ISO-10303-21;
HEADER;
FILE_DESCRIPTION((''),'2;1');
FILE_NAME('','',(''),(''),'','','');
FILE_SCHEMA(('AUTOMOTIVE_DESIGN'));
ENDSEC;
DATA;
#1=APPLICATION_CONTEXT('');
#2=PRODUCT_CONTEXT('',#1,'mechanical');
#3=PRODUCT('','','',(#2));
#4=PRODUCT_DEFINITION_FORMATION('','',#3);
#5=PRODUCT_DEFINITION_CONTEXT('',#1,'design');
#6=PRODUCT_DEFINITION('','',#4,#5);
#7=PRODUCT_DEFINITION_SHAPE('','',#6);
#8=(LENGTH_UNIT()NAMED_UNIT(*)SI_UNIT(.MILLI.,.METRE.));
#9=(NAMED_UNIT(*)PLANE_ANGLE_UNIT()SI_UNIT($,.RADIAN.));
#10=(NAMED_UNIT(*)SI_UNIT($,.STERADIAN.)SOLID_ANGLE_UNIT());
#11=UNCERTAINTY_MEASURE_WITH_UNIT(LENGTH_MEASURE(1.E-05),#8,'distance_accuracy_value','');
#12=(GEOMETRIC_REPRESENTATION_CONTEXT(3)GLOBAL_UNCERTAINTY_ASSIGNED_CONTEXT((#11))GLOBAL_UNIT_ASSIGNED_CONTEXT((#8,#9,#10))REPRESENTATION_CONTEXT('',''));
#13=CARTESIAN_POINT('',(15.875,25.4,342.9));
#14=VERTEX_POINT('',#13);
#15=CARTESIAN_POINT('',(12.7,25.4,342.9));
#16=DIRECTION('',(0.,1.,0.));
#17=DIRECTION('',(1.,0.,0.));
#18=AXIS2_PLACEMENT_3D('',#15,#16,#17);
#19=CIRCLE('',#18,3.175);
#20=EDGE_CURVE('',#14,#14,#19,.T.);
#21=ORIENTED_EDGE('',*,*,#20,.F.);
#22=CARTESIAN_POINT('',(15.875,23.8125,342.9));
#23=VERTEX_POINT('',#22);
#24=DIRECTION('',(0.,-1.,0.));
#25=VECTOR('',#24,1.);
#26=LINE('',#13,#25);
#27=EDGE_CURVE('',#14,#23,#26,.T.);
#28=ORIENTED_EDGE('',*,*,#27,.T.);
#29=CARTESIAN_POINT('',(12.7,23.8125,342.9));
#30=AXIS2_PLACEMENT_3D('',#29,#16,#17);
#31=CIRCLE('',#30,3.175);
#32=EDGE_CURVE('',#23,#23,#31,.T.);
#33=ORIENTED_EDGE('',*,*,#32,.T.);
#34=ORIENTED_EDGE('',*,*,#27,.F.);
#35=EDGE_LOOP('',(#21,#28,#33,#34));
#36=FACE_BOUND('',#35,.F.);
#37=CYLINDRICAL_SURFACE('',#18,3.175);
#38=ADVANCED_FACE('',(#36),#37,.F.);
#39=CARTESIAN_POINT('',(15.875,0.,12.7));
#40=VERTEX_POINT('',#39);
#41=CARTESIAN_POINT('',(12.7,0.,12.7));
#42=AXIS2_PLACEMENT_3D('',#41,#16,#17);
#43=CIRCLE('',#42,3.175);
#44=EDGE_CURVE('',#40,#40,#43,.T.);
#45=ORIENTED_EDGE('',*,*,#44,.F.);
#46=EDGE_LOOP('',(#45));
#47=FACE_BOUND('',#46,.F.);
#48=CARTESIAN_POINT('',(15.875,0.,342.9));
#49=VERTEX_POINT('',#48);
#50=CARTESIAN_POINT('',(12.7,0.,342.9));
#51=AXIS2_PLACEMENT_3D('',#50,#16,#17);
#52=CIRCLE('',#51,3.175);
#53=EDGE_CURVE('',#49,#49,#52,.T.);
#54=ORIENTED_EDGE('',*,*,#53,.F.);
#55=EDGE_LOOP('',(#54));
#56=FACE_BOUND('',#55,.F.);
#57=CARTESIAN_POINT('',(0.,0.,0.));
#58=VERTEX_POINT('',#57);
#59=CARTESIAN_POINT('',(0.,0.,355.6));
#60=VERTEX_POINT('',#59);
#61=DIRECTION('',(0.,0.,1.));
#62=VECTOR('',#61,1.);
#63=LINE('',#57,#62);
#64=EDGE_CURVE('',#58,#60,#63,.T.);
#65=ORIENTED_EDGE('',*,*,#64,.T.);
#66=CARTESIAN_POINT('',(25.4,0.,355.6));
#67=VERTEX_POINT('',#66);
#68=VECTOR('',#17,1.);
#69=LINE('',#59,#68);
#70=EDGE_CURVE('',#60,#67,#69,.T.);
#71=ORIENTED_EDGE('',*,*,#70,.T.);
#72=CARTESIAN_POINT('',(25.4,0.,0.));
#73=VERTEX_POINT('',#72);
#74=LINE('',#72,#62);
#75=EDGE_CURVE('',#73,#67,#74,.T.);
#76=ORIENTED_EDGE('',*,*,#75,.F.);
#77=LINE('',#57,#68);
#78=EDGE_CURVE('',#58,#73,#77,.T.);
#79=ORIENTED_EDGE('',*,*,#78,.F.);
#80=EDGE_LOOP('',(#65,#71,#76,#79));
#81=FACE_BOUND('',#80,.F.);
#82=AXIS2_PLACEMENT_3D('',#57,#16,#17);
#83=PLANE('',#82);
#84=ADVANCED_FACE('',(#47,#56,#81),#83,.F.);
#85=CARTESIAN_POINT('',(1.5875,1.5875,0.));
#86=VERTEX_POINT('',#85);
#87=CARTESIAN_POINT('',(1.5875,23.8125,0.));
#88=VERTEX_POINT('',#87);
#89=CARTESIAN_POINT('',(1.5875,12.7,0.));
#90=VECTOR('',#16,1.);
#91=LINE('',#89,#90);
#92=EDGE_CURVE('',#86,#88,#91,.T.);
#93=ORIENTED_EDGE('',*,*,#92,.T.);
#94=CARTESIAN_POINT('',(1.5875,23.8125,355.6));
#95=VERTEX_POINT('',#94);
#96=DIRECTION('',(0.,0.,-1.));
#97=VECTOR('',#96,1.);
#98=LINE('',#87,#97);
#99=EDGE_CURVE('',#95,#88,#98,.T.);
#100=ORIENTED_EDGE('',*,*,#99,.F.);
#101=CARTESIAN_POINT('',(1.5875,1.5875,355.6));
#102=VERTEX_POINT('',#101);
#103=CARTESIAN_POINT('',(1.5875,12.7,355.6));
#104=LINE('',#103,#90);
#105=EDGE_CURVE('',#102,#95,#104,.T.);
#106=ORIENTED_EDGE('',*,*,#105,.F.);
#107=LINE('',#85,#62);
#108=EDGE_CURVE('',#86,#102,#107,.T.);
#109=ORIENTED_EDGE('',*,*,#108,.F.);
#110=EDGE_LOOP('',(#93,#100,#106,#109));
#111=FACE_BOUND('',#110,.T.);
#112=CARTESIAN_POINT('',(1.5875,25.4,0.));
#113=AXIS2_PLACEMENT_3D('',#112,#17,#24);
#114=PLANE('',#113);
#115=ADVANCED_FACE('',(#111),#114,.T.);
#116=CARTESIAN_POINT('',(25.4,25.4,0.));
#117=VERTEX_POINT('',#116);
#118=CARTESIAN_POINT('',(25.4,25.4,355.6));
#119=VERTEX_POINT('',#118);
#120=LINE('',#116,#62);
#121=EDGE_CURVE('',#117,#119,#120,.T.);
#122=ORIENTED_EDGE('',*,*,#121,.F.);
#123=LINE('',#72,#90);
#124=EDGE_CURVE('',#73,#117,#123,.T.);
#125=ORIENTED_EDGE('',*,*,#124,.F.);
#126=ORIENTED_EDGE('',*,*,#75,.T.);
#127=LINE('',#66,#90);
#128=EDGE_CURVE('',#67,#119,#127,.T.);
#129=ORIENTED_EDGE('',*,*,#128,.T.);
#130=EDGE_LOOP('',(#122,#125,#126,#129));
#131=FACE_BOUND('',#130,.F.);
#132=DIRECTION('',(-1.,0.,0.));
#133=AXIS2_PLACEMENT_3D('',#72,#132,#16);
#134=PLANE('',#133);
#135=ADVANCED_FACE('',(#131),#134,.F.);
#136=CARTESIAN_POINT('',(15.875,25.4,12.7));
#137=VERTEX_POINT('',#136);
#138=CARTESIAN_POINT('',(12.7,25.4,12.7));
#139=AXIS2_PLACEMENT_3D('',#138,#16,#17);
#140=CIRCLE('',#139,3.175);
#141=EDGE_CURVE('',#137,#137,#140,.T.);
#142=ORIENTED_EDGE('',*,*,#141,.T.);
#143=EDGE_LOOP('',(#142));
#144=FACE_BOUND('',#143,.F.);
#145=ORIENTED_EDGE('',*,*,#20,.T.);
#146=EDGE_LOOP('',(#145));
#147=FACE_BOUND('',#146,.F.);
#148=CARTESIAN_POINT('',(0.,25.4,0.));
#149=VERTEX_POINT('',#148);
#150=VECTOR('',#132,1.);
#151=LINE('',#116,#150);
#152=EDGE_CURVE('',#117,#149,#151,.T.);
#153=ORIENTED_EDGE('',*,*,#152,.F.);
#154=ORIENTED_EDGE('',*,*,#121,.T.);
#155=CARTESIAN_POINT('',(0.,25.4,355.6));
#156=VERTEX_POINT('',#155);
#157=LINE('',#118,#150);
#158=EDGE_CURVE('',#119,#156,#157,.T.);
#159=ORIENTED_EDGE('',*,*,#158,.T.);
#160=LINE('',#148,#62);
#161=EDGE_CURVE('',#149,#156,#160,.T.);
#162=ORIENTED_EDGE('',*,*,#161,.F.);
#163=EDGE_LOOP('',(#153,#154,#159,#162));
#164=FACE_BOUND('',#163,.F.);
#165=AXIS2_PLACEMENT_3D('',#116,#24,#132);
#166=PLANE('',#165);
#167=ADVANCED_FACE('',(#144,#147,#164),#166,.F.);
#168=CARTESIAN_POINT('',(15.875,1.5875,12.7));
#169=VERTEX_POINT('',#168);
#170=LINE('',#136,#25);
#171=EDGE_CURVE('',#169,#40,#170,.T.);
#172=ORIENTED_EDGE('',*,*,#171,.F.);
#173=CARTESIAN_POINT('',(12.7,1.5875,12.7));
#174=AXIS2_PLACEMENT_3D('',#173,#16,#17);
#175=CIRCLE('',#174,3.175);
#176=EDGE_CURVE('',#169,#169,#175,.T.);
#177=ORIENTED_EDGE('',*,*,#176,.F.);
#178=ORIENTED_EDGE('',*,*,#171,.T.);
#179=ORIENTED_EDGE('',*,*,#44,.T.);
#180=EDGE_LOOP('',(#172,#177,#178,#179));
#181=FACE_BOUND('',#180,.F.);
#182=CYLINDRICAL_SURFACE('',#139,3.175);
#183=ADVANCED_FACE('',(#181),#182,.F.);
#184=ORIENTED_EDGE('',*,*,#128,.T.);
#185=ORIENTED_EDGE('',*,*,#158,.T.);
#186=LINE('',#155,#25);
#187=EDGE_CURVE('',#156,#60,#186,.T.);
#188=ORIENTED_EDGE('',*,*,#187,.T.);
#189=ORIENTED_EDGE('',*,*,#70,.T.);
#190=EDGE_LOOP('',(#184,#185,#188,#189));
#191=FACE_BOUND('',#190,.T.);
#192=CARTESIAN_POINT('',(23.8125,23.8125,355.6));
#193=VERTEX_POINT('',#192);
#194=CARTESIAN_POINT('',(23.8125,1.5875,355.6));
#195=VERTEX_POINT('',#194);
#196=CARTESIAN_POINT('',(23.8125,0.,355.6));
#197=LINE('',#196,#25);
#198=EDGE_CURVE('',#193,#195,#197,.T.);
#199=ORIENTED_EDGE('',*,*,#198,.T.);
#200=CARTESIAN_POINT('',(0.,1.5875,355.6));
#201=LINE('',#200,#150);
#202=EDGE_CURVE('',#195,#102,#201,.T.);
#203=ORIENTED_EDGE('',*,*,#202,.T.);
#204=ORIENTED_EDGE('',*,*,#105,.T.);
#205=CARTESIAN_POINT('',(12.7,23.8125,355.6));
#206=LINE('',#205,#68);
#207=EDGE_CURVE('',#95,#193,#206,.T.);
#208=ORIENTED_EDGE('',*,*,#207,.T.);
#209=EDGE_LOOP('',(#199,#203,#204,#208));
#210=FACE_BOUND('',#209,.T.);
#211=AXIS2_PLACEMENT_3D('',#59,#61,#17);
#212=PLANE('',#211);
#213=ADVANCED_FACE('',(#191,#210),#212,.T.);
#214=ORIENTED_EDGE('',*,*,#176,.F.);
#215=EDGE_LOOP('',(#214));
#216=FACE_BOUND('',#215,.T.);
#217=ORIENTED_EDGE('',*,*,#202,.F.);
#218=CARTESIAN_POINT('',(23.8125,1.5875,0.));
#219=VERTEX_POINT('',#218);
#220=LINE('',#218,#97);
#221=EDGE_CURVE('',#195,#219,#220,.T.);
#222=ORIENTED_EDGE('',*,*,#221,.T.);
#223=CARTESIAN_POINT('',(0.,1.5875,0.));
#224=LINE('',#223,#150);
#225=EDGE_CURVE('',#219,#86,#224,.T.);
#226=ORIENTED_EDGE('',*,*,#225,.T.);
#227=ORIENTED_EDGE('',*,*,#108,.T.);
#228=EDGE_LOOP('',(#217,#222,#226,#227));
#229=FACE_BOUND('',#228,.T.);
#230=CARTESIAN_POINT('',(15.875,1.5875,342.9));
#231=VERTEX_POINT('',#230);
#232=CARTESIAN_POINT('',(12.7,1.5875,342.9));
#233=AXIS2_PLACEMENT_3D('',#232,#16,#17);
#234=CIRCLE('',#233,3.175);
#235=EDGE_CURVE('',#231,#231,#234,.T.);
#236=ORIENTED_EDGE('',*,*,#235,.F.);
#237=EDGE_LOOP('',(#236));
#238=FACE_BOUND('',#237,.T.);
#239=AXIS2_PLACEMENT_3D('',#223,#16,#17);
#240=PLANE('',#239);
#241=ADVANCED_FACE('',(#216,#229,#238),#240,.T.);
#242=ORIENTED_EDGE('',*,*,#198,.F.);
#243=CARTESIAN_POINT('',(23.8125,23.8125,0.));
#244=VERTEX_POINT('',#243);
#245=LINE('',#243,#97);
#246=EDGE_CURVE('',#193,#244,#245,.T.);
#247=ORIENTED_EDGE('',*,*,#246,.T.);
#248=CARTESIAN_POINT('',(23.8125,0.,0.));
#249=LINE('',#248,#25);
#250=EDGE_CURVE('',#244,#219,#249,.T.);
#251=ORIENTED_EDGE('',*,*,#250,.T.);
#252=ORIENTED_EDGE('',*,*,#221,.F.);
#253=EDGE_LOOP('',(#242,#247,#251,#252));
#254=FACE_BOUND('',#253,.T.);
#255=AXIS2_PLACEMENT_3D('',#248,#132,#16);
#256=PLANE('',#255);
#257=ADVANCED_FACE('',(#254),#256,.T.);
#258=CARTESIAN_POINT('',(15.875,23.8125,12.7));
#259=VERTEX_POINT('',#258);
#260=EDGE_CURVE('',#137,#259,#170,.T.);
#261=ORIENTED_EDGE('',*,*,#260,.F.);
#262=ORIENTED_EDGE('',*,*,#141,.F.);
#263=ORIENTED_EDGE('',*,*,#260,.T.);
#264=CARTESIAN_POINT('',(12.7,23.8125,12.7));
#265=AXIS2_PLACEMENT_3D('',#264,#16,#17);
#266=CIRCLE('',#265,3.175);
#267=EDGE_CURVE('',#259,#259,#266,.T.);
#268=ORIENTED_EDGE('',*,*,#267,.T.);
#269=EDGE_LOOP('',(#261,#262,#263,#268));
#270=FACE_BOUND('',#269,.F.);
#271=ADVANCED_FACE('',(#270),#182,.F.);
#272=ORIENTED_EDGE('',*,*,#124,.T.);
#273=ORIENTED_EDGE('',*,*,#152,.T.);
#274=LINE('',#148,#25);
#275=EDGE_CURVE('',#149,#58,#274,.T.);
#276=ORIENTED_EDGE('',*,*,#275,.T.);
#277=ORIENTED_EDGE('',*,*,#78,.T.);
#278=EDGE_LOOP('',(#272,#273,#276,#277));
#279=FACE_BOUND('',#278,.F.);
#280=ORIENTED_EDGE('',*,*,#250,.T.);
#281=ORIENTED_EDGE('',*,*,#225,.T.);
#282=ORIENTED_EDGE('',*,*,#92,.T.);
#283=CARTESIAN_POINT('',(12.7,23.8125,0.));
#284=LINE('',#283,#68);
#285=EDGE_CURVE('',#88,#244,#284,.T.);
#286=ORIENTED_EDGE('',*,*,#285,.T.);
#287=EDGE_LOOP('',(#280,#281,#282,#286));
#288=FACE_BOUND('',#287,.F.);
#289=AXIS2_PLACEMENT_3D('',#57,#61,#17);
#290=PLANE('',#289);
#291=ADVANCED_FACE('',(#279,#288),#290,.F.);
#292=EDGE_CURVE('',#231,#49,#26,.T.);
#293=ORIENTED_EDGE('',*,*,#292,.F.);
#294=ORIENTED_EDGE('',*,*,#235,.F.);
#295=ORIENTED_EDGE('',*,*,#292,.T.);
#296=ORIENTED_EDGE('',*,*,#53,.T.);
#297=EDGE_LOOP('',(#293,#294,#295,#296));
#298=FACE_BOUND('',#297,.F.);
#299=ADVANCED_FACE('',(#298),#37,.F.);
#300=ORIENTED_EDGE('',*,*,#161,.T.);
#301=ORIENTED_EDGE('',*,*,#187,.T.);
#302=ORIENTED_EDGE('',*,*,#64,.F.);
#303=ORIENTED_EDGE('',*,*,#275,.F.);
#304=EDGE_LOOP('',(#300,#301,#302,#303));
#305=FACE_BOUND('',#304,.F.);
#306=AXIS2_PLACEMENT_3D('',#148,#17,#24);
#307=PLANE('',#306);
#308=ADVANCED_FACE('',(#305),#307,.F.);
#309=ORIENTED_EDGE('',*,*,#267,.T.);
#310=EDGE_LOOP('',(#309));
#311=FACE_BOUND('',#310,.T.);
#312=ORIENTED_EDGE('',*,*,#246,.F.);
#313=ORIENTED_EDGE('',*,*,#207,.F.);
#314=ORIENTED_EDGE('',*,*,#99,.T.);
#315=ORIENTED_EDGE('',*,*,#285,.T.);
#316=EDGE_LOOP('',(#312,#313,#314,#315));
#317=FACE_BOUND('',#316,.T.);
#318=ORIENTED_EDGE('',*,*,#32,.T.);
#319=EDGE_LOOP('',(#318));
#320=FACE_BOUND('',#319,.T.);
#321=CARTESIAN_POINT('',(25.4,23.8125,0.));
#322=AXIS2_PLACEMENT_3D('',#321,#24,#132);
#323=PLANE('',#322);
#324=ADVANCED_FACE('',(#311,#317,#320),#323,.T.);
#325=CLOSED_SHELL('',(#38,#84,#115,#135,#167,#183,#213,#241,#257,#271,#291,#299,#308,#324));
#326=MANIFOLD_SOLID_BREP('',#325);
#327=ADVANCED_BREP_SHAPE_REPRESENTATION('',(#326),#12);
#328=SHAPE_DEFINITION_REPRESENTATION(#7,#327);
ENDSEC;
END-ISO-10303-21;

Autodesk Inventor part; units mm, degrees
ref_plane "YZ Plane" through (0, 0, 0) normal (1, 0, 0) x (0, 1, 0)
ref_plane "XZ Plane" through (0, 0, 0) normal (0, 1, 0) x (-1, 0, 0)
ref_plane "XY Plane" through (0, 0, 0) normal (0, 0, 1) x (1, 0, 0)
sketch "Sketch1" plane through (0, 0, 0) normal (0, 0, 1) x (1, 0, 0)
  line L0 (0, 0) -> (25.4, 0)
  line L1 (25.4, 0) -> (25.4, 25.4)
  line L2 (25.4, 25.4) -> (0, 25.4)
  line L3 (0, 25.4) -> (0, 0)
  dimension "d0" = 25.4
  dimension "d1" = 25.4
extrude "Extrusion1" add sketch "Sketch1" along normal blind 355.6
shell "Shell1" thickness 1.5875 removed faces 2 at (8.4667, 16.9333, 0) at (8.4667, 16.9333, 355.6)
sketch "Sketch2" plane through (0, 25.4, 0) normal (0, 1, 0) x (1, 0, 0)
  line L0 (0, -355.6) -> (25.4, -355.6) projected
  line L1 (25.4, 0) -> (25.4, -355.6) projected
  line L2 (25.4, 0) -> (0, 0) projected
  line L3 (0, 0) -> (0, -355.6) projected
  circle A0 centre (12.7, -12.7) radius 3.175
  circle A1 centre (12.7, -342.9) radius 3.175
  dimension "d5" = 6.35
  dimension "d6" = 12.7
  dimension "d7" = 12.7
  dimension "d8" = 12.7
  dimension "d9" = 12.7
extrude "Extrusion2" cut sketch "Sketch2" against normal through all contours A0 | A1
properties part number "Frame_RearBallGuideSupport" material "Aluminum-6061"
